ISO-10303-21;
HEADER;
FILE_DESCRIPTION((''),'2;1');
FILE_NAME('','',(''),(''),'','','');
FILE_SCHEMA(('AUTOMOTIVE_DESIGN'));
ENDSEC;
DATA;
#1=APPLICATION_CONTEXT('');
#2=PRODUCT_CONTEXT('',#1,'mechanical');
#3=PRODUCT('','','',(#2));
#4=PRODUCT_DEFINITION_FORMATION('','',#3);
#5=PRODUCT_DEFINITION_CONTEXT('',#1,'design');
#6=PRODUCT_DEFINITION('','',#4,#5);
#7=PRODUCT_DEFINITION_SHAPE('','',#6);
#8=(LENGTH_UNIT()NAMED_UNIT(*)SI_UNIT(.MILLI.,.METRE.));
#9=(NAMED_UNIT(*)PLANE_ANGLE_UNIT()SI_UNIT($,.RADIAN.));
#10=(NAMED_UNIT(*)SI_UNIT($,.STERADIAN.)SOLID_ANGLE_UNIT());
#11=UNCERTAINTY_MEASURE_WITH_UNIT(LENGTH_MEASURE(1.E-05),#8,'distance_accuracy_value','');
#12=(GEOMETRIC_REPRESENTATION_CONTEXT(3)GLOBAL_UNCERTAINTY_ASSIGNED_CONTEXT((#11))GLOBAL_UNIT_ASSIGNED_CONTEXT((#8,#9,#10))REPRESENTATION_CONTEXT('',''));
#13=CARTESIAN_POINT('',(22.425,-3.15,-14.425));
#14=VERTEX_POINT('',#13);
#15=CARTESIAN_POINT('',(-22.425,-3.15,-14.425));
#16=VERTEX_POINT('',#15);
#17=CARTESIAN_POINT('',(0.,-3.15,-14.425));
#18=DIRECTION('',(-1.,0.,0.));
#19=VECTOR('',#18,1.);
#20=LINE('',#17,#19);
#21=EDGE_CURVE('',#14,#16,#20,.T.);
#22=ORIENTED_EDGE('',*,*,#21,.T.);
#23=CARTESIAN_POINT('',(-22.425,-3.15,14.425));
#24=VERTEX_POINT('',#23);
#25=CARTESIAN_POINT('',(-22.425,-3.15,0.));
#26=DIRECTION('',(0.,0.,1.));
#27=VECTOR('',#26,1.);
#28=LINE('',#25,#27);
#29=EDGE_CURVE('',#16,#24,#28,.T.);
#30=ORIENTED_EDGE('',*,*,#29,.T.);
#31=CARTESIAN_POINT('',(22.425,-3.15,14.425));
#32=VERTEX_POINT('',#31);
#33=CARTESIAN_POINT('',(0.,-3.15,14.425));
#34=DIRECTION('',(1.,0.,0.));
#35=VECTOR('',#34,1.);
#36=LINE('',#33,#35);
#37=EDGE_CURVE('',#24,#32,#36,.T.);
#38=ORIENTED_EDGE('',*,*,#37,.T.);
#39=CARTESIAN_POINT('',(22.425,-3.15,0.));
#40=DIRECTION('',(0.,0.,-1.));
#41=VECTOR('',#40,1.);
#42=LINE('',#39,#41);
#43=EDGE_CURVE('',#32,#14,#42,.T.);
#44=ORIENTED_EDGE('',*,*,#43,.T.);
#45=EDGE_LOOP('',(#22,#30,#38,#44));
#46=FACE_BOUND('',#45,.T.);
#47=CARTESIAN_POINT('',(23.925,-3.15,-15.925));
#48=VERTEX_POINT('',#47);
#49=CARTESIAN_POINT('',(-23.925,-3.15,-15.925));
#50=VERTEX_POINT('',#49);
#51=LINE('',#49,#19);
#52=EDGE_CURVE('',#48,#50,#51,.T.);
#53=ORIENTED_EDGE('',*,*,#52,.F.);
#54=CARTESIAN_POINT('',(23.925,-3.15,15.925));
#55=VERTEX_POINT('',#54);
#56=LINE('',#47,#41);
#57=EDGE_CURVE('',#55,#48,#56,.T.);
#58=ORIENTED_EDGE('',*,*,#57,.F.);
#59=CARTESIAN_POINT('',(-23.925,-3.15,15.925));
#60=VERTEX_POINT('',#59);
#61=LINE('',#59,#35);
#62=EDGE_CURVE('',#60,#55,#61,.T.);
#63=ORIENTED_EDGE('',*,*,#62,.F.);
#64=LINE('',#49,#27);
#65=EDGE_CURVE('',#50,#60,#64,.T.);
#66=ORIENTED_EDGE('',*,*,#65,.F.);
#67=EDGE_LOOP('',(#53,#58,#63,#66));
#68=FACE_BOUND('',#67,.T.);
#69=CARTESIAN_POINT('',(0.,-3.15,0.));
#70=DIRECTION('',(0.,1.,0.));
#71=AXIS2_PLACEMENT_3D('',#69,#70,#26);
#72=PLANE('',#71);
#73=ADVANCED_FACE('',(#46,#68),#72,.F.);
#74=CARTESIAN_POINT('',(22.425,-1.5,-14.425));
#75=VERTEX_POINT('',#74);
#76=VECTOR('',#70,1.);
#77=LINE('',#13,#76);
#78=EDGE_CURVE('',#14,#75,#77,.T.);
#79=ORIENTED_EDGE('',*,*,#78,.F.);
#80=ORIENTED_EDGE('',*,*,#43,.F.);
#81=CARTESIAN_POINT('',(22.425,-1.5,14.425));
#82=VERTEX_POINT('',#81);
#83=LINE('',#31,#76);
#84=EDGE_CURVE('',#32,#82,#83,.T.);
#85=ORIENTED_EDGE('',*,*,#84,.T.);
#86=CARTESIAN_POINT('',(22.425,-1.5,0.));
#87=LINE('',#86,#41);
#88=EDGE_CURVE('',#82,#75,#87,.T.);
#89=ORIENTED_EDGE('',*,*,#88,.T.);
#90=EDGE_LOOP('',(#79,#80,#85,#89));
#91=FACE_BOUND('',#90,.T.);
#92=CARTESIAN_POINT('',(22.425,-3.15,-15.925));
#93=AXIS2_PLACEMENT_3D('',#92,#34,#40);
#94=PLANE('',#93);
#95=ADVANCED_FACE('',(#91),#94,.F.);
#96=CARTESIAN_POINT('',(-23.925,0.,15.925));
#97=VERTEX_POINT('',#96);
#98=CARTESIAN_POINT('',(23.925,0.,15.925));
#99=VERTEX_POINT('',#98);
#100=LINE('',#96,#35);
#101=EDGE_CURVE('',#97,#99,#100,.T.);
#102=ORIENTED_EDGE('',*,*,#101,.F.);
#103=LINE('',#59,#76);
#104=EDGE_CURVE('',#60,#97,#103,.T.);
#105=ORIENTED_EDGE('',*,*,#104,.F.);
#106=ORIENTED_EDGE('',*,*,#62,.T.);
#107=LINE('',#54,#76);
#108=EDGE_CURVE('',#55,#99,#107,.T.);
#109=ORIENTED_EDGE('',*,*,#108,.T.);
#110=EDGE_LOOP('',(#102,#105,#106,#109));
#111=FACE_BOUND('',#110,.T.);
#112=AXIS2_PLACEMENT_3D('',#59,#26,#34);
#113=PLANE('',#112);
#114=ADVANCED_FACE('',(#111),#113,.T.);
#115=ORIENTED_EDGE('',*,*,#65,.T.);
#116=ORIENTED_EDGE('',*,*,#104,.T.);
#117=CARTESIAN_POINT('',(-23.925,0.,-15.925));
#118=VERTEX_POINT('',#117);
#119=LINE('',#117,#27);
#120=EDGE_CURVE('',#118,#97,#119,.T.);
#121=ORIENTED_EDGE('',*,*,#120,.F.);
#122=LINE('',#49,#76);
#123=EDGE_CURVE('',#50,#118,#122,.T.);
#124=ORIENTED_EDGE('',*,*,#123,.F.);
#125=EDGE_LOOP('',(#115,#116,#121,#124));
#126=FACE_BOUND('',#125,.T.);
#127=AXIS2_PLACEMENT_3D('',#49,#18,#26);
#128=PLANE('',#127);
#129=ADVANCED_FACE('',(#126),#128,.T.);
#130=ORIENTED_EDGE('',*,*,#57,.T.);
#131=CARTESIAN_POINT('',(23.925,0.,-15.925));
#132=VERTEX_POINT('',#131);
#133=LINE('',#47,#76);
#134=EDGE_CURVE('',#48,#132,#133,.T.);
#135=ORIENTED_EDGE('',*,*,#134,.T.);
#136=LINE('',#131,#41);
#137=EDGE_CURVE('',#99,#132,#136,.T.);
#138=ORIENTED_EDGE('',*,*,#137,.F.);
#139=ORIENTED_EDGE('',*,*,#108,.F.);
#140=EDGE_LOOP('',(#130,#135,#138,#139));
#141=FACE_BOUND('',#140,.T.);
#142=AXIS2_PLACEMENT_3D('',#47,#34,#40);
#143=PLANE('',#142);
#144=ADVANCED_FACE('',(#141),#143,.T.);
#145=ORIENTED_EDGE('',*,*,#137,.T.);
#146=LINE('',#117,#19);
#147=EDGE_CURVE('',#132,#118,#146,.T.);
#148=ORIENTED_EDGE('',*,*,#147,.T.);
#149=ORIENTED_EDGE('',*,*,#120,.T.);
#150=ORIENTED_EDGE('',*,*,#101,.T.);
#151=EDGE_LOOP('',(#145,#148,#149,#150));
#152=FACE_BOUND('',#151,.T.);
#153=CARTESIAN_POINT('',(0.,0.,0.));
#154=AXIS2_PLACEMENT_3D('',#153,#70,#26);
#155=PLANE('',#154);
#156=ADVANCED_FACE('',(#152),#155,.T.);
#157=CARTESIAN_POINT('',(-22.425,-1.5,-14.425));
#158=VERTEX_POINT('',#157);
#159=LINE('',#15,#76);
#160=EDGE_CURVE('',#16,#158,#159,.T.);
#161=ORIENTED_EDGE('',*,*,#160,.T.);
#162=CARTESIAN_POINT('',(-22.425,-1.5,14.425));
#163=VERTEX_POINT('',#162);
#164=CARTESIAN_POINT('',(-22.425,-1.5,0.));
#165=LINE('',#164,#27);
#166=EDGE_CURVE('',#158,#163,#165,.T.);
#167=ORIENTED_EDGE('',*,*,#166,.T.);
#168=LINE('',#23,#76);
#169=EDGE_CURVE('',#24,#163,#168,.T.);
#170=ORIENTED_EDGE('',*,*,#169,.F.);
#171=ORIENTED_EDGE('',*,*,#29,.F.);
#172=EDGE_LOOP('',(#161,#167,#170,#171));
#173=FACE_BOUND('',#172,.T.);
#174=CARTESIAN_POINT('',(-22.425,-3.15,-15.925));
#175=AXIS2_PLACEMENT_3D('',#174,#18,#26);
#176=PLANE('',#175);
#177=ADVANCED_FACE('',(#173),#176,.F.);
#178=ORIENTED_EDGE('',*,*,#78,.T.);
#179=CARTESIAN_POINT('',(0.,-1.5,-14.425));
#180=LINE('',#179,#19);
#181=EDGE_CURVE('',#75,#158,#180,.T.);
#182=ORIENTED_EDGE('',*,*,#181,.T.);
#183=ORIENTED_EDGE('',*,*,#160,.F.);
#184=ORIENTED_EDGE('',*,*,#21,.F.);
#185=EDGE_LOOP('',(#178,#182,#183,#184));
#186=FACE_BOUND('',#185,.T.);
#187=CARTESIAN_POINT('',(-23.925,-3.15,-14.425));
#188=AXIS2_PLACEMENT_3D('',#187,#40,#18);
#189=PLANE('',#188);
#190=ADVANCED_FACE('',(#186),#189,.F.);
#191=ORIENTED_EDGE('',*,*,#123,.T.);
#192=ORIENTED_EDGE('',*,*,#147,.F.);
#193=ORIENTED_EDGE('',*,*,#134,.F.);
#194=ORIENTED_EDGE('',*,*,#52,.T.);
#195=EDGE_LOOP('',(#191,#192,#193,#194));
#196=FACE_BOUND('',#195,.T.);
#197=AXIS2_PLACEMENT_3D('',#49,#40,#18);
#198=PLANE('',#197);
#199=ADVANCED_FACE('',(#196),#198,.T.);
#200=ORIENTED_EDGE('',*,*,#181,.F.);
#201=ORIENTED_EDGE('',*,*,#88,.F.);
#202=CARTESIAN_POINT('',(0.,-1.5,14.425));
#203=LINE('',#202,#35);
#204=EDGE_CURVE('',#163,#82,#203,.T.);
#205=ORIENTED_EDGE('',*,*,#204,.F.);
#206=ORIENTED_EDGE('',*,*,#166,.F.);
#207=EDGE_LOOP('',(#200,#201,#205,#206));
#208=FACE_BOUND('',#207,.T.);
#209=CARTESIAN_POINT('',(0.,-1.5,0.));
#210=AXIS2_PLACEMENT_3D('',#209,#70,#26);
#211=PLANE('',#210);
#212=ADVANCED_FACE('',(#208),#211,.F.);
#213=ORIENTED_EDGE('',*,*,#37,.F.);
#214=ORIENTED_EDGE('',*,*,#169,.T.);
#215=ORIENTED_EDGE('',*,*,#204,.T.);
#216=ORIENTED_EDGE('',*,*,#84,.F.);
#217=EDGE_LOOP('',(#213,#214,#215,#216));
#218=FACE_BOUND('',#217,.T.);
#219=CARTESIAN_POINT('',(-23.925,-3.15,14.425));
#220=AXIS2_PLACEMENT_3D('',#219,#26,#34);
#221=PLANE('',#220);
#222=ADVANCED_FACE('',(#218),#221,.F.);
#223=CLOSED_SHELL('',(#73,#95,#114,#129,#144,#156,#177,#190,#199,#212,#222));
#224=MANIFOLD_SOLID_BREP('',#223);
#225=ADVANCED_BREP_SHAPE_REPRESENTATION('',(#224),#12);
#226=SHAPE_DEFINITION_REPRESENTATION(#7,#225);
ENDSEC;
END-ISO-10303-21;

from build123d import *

# Parameters (mm, degrees)
SKETCH1_W           = 47.85
SKETCH1_H           = 31.85
BOSS_EXTRUDE1_DEPTH = 3.15
SHELL1_T            = -1.5


with BuildPart() as part:
    # Sketch1 → Boss-Extrude1 (new body)
    with BuildSketch(Plane(origin=(0, 0, 0), x_dir=(1, 0, 0), z_dir=(0, 1, 0))):
        Rectangle(SKETCH1_W, SKETCH1_H)
    extrude(amount=-BOSS_EXTRUDE1_DEPTH)

    # Shell1
    shell1_openings = [part.faces().sort_by_distance(p)[0] for p in [
        (0, -3.15, 0),
    ]]
    offset(amount=SHELL1_T, openings=shell1_openings, kind=Kind.INTERSECTION)


solid = part.part
